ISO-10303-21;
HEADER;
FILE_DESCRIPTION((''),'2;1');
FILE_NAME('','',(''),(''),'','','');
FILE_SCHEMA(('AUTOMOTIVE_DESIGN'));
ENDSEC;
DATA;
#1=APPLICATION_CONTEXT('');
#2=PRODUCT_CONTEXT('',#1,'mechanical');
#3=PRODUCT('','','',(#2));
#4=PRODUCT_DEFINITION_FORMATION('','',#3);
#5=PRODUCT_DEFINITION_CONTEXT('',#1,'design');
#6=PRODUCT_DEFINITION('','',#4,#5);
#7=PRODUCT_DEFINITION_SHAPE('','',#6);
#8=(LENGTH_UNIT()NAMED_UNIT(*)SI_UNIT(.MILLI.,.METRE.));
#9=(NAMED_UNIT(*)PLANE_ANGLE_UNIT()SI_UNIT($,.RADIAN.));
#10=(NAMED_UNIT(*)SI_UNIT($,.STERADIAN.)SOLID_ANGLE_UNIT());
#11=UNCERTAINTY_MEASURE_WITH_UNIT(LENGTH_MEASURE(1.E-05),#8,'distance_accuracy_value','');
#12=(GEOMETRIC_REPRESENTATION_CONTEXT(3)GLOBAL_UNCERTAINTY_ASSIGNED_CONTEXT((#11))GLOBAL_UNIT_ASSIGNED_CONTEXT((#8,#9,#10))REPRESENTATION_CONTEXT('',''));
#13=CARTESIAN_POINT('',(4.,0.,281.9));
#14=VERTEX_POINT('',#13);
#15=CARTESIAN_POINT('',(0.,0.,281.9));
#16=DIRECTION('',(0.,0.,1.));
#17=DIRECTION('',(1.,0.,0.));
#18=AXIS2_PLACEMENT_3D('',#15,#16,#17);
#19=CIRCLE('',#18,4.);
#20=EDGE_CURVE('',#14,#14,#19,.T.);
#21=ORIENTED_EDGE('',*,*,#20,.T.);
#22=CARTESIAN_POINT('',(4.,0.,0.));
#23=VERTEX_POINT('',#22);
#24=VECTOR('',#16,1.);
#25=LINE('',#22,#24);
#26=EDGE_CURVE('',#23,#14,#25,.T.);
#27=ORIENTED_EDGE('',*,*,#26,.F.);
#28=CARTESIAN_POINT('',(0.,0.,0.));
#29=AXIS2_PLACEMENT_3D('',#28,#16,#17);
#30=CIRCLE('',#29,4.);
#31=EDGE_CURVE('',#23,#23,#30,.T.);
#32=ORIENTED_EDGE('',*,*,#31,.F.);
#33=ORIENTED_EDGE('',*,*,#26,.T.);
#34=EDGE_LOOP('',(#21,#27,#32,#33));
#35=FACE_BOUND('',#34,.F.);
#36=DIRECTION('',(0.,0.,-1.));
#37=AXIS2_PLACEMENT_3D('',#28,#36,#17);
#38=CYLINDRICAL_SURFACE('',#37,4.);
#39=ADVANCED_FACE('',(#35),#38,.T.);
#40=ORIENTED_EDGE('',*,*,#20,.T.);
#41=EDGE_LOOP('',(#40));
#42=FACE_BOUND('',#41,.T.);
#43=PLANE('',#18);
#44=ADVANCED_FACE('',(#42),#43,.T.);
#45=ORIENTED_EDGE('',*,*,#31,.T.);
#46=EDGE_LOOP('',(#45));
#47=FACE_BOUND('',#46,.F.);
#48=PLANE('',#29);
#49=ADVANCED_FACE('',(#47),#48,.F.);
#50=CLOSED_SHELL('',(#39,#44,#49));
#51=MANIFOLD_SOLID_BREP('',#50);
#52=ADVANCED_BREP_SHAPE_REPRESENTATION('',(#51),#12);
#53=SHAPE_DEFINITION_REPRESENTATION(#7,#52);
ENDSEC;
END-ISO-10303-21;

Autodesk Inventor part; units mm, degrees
ref_plane "YZ Plane" through (0, 0, 0) normal (1, 0, 0) x (0, 1, 0)
ref_plane "XZ Plane" through (0, 0, 0) normal (0, 1, 0) x (-1, 0, 0)
ref_plane "XY Plane" through (0, 0, 0) normal (0, 0, 1) x (1, 0, 0)
sketch "Sketch1" plane through (0, 0, 0) normal (0, 0, 1) x (1, 0, 0)
  circle A0 centre (0, 0) radius 4
  dimension "d0" = 8
extrude "Extrusion1" add sketch "Sketch1" along normal blind 281.9
properties part number "smooth_rod_y"
